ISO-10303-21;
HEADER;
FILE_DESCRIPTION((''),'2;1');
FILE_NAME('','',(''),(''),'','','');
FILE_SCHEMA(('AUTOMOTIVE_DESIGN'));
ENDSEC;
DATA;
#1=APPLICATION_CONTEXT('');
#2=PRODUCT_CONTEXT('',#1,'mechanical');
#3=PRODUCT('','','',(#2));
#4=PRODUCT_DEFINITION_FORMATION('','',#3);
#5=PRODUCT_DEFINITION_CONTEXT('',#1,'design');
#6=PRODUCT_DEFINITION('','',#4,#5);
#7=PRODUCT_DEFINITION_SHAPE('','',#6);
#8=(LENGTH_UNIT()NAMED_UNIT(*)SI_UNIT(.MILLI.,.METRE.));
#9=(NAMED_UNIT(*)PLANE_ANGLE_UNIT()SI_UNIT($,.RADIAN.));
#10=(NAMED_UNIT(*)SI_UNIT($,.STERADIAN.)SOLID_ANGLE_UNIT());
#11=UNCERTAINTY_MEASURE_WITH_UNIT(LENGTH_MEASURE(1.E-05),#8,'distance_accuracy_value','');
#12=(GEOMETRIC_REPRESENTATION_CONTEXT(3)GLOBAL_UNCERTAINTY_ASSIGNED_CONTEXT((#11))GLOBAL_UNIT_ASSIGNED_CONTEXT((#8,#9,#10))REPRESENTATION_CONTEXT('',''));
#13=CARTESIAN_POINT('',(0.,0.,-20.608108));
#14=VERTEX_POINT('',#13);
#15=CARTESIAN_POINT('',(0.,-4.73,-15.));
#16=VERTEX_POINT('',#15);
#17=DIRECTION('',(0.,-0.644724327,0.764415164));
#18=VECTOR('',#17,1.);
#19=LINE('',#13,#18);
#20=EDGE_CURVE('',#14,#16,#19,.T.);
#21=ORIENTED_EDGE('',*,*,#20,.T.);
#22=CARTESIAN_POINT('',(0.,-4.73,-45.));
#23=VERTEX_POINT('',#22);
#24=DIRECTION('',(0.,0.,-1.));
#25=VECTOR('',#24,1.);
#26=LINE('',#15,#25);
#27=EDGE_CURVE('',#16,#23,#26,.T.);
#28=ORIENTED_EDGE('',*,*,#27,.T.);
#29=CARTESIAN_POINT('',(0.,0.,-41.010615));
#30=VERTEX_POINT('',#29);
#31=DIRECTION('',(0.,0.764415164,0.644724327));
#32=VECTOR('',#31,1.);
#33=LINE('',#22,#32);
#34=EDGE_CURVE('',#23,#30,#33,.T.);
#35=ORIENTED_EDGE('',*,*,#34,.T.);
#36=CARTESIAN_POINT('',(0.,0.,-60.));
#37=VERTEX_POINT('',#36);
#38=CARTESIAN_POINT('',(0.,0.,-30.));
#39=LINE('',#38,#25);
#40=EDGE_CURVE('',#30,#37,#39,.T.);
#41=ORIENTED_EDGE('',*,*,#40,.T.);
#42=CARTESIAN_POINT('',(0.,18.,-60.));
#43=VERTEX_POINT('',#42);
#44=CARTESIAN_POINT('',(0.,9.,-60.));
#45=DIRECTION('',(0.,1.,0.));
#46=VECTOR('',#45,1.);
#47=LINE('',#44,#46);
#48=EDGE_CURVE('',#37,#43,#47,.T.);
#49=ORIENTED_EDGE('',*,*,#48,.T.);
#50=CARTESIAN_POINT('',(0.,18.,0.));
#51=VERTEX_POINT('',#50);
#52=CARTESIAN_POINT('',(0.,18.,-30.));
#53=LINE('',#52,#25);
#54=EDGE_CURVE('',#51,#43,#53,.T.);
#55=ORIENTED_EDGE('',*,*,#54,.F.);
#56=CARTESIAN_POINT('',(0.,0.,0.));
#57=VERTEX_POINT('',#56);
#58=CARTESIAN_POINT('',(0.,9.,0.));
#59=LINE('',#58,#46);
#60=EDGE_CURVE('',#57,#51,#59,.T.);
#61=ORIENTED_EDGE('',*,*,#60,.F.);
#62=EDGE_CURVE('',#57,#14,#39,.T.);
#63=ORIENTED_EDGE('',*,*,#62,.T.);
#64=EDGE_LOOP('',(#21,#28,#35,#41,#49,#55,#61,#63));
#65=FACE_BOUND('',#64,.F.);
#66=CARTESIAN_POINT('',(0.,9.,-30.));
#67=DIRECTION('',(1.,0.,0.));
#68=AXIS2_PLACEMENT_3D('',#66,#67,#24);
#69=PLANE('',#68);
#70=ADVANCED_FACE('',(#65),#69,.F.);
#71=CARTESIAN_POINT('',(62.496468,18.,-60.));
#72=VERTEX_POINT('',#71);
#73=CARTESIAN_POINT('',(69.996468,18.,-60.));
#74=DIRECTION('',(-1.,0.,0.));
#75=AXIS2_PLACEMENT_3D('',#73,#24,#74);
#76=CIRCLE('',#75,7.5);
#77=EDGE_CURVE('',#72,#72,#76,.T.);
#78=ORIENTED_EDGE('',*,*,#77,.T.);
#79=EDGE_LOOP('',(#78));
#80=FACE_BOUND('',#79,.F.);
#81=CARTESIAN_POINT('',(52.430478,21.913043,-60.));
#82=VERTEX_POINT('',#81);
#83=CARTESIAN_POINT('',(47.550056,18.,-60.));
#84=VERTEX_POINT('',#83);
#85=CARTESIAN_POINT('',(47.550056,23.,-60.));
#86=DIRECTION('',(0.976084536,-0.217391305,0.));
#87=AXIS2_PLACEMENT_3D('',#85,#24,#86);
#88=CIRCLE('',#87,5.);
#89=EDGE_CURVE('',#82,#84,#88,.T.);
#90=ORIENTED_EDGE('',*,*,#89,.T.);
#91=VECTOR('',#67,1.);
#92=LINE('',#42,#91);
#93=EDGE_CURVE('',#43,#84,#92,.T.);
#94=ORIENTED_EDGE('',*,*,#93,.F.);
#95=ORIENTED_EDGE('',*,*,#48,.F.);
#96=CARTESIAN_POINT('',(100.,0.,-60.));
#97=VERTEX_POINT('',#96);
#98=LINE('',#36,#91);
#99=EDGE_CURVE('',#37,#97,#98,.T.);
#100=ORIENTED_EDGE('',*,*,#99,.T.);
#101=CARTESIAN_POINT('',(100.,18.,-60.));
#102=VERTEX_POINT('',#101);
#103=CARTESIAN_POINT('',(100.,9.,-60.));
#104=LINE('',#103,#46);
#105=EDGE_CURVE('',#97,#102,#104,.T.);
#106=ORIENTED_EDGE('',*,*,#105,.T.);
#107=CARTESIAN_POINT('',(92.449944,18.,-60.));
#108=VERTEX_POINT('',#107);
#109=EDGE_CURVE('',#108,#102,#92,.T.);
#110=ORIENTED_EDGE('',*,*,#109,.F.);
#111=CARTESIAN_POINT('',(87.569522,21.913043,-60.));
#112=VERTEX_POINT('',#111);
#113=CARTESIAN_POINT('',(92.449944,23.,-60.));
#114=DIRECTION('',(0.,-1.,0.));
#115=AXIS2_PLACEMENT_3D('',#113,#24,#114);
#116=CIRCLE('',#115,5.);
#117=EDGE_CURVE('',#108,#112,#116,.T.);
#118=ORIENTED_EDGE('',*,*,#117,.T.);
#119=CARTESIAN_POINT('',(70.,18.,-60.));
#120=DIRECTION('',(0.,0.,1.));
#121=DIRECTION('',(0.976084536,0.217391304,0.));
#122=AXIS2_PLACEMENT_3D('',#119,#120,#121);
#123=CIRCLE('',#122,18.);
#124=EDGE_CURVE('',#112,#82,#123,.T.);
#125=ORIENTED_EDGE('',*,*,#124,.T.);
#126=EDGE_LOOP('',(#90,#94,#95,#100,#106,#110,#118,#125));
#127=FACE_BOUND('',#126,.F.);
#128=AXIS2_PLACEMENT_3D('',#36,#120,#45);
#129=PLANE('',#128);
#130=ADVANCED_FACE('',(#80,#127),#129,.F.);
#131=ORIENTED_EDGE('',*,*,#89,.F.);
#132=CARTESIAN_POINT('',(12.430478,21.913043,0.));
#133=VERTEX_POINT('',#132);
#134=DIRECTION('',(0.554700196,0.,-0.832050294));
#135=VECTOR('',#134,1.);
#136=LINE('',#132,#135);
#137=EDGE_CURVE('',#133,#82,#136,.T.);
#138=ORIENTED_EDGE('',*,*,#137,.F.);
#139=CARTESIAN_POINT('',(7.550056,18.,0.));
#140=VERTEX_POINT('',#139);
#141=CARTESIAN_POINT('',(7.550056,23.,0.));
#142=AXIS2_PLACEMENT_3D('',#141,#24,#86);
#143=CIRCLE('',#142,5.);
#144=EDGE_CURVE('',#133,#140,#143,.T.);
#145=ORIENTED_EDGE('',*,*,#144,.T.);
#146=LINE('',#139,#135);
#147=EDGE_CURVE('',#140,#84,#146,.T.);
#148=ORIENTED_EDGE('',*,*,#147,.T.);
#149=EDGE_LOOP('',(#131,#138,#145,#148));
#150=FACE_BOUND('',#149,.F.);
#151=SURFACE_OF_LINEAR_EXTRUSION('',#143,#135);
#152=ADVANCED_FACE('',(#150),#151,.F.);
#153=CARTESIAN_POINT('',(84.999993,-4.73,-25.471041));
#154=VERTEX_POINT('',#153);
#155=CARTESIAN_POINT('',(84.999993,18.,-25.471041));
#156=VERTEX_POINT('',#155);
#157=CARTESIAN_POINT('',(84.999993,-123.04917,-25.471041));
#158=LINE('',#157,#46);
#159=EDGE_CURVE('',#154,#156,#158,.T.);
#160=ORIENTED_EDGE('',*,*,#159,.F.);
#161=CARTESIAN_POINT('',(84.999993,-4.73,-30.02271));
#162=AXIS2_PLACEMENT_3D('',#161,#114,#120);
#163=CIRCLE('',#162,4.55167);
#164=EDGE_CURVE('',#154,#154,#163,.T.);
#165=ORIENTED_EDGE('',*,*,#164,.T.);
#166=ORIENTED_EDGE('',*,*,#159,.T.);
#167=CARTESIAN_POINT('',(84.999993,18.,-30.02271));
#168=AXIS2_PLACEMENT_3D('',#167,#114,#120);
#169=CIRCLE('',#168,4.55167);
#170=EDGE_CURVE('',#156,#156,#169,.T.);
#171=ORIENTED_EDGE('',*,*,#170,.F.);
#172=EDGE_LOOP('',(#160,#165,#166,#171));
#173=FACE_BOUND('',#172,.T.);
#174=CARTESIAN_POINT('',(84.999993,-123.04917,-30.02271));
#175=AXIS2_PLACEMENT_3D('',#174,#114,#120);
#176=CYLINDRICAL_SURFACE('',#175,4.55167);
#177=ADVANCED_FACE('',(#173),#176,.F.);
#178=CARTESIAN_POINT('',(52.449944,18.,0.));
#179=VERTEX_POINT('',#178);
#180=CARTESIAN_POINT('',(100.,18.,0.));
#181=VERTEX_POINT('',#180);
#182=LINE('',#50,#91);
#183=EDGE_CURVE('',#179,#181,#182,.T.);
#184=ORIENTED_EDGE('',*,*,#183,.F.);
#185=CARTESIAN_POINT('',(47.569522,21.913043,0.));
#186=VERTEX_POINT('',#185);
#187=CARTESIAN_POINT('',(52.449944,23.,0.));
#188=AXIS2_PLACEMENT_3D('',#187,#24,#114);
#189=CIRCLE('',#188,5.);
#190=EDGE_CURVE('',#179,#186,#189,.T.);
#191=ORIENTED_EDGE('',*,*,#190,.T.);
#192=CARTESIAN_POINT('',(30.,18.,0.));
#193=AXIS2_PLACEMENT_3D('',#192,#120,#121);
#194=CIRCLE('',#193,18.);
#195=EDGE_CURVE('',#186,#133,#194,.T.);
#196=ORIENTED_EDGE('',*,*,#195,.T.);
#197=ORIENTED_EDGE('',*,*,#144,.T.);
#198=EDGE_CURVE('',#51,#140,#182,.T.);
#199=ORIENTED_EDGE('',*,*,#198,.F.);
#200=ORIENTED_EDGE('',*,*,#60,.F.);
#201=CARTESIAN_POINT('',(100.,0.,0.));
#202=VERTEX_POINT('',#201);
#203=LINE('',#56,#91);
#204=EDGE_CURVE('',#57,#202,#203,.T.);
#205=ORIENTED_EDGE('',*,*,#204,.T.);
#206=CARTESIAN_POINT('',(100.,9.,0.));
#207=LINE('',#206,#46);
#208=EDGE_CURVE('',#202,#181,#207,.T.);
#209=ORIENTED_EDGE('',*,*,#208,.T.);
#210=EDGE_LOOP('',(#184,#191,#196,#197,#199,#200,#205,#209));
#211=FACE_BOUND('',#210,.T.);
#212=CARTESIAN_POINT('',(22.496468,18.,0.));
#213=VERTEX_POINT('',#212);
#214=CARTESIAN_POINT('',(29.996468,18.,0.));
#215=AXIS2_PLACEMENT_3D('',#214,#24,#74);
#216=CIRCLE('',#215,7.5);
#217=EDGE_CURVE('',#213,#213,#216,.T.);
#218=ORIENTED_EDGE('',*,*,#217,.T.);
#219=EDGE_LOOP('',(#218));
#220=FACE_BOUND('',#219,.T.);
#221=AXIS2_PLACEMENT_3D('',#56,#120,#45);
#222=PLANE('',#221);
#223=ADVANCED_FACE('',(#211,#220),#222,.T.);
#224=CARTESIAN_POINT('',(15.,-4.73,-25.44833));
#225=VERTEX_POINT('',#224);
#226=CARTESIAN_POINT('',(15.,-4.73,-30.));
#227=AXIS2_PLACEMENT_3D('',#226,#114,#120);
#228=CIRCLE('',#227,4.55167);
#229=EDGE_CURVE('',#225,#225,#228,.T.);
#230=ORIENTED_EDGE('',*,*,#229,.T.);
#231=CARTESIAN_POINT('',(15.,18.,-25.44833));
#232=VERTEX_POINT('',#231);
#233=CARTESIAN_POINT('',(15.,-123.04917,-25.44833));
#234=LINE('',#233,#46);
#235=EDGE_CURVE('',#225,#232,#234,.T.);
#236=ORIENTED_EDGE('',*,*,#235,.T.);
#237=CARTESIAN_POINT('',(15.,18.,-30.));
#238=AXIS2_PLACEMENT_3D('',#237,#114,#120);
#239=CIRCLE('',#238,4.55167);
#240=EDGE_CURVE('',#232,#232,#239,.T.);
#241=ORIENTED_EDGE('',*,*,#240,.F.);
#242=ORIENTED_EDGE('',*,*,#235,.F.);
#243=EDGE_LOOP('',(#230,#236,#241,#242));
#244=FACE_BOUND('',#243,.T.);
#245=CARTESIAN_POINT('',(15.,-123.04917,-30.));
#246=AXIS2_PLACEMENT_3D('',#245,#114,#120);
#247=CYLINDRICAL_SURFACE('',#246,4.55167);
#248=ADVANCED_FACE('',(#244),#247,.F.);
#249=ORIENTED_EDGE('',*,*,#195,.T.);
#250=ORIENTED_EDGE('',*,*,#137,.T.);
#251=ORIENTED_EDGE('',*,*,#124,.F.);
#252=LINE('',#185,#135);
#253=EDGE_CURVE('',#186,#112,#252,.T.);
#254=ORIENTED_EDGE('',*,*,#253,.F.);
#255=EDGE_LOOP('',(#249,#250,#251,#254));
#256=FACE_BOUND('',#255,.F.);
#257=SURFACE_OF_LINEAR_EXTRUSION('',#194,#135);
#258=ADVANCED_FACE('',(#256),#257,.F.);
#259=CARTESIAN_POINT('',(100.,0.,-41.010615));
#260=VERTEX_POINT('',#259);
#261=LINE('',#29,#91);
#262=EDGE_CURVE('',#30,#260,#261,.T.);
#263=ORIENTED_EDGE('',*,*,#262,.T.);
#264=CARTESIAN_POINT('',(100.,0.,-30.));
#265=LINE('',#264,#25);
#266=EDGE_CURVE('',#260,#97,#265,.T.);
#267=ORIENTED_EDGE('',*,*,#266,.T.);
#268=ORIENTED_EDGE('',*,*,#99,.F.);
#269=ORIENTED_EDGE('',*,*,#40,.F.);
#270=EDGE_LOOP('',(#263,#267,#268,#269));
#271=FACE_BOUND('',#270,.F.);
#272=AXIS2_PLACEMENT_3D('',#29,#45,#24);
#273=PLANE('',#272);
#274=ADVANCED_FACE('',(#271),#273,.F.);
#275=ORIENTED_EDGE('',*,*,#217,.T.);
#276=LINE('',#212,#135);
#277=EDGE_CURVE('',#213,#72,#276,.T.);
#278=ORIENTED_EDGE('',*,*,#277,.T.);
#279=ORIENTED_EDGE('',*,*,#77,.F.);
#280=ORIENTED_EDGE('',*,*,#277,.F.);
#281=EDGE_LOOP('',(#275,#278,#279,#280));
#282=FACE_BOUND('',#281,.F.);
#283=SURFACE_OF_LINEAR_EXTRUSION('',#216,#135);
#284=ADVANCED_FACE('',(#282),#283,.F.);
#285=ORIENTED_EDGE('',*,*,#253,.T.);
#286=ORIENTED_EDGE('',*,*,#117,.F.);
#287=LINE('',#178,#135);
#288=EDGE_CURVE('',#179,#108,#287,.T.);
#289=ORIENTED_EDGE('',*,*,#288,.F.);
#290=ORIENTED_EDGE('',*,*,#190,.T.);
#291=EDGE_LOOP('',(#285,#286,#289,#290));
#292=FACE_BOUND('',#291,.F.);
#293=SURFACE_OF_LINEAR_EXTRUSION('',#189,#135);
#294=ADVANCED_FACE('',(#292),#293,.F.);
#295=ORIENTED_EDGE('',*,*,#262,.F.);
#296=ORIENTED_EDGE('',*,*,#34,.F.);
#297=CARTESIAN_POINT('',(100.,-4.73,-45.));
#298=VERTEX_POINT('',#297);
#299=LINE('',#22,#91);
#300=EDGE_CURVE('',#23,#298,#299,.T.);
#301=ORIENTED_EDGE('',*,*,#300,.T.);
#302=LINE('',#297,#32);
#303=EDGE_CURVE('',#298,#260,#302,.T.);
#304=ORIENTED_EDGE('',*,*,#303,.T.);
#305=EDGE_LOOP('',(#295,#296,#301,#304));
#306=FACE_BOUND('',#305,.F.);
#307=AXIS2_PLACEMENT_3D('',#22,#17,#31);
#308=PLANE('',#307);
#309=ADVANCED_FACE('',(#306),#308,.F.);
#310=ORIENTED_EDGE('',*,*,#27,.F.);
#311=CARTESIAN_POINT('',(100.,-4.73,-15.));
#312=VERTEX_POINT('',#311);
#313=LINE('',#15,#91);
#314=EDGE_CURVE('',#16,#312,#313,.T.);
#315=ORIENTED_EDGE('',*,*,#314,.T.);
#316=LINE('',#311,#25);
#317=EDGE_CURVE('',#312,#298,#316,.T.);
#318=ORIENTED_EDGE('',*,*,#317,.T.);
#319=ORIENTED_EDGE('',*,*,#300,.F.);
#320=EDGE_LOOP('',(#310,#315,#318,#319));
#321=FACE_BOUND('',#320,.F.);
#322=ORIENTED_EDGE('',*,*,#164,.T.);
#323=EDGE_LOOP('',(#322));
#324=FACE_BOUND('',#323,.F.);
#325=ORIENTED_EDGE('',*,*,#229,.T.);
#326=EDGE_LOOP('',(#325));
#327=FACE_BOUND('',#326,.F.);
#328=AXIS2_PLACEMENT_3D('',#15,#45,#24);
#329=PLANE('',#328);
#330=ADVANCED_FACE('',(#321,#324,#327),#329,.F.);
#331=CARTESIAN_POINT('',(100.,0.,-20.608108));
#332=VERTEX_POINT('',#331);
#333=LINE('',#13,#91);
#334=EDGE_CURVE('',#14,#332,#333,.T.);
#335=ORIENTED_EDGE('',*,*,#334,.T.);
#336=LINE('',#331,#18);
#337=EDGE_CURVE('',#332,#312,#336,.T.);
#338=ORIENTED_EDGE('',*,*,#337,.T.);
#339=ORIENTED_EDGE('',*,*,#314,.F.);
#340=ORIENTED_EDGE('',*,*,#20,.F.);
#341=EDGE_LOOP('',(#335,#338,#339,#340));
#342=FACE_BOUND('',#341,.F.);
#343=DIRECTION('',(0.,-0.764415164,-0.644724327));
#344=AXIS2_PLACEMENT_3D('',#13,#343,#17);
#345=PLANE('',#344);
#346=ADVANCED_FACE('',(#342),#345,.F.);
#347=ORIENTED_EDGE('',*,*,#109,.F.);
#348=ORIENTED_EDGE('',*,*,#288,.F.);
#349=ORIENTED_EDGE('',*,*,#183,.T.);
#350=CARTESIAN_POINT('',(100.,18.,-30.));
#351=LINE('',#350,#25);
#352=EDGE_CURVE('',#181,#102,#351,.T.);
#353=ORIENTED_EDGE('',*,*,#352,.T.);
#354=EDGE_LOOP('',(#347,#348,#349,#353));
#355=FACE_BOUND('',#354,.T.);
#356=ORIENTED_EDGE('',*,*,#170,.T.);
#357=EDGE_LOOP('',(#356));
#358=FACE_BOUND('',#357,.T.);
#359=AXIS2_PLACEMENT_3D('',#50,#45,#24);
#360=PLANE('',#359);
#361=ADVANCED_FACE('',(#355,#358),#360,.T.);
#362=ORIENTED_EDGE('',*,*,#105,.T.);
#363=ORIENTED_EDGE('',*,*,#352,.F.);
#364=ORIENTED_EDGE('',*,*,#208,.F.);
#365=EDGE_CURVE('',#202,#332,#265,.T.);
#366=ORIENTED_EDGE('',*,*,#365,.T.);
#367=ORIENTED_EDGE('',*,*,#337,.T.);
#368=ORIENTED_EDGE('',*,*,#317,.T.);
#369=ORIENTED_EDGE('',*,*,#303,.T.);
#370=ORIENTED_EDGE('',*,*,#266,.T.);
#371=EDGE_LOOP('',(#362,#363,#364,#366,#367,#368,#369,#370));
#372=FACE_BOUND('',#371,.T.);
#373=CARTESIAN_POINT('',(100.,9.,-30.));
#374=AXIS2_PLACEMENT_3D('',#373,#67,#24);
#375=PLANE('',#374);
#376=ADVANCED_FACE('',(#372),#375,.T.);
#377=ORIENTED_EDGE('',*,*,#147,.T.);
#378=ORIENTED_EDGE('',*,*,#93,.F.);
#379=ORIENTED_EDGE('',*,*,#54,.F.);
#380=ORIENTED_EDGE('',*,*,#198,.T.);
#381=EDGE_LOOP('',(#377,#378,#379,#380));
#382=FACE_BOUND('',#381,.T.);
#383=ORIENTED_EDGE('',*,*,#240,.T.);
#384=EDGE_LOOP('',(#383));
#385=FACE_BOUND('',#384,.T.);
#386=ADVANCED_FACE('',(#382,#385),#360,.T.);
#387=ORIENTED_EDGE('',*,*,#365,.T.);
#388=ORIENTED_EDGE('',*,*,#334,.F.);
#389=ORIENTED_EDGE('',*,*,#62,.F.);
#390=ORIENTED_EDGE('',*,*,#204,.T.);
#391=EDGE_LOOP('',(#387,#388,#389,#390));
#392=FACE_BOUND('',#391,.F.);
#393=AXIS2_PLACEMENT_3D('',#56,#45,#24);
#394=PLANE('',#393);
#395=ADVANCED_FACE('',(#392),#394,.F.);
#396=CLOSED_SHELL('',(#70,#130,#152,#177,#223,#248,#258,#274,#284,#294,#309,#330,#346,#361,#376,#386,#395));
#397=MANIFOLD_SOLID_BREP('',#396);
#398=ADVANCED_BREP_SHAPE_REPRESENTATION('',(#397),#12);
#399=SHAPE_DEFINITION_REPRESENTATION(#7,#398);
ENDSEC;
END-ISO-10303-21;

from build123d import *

# Parameters (mm, degrees)
SKETCH1_W               = 60
SKETCH1_H               = 18
BOSS_EXTRUDE1_DEPTH     = 100
SKETCH6_R               = 7.5
CUT_EXTRUDE1_DEPTH      = 123.049170419
CUT_EXTRUDE1_DEPTH_BACK = 123.049170419
SKETCH7_R               = 4.551669689


with BuildPart() as part:
    # Sketch1 → Boss-Extrude1 (new body)
    with BuildSketch(Plane(origin=(0, 0, 0), x_dir=(0, 0, -1), z_dir=(1, 0, 0))):
        with Locations((30, 9)):
            Rectangle(SKETCH1_W, SKETCH1_H)
        Polygon((41.010615422, 0), (20.608108108, 0), (15, -4.73), (45, -4.73), align=None)
    extrude(amount=BOSS_EXTRUDE1_DEPTH)

    # Sweep5: sweep along a path in Sketch3
    with BuildLine(Plane(origin=(0, 0, 0), x_dir=(1, 0, 0), z_dir=(0, 1, 0))) as sweep5_path:
        Line((30, 0), (70, 60))
    # Sketch2 → Sweep5 (sweep)
    with BuildSketch(Plane.XY):
        with BuildLine():
            Line((7.550055679, 18), (52.449944321, 18))
            ThreePointArc((52.449944321, 18), (49.32222811, 19.099052512), (47.569521642, 21.913043478))
            ThreePointArc((47.569521642, 21.913043478), (30, 36), (12.430478358, 21.913043478))
            ThreePointArc((12.430478358, 21.913043478), (10.67777189, 19.099052512), (7.550055679, 18))
        make_face()
    sweep(path=sweep5_path.line)

    # Cut-Sweep3: sweep along a path in Sketch3<4>
    with BuildLine(Plane(origin=(0, 0, 0), x_dir=(1, 0, 0), z_dir=(0, 1, 0))) as cut_sweep3_path:
        Line((30, 0), (70, 60))
    # Sketch6 → Cut-Sweep3 (sweep, cut)
    with BuildSketch(Plane(origin=(0, 0, -60), x_dir=(-1, 0, 0), z_dir=(0, 0, -1))):
        with Locations((-69.99646769, 18)):
            Circle(SKETCH6_R)
    sweep(path=cut_sweep3_path.line, mode=Mode.SUBTRACT)

    # Sketch7 → Cut-Extrude1 (cut, two sides: drawn at the far end of the back side and taken through both)
    with BuildSketch(Plane(origin=(0, 0, 0), x_dir=(1, 0, 0), z_dir=(0, 1, 0)).offset(-CUT_EXTRUDE1_DEPTH_BACK)):
        with Locations(Location((15, 30, 0), (0, 0, 270))):
            Circle(SKETCH7_R)
        with Locations(Location((84.999992632, 30.022710288, 0), (0, 0, 270))):
            Circle(SKETCH7_R)
    extrude(amount=CUT_EXTRUDE1_DEPTH + CUT_EXTRUDE1_DEPTH_BACK, mode=Mode.SUBTRACT)


solid = part.part
